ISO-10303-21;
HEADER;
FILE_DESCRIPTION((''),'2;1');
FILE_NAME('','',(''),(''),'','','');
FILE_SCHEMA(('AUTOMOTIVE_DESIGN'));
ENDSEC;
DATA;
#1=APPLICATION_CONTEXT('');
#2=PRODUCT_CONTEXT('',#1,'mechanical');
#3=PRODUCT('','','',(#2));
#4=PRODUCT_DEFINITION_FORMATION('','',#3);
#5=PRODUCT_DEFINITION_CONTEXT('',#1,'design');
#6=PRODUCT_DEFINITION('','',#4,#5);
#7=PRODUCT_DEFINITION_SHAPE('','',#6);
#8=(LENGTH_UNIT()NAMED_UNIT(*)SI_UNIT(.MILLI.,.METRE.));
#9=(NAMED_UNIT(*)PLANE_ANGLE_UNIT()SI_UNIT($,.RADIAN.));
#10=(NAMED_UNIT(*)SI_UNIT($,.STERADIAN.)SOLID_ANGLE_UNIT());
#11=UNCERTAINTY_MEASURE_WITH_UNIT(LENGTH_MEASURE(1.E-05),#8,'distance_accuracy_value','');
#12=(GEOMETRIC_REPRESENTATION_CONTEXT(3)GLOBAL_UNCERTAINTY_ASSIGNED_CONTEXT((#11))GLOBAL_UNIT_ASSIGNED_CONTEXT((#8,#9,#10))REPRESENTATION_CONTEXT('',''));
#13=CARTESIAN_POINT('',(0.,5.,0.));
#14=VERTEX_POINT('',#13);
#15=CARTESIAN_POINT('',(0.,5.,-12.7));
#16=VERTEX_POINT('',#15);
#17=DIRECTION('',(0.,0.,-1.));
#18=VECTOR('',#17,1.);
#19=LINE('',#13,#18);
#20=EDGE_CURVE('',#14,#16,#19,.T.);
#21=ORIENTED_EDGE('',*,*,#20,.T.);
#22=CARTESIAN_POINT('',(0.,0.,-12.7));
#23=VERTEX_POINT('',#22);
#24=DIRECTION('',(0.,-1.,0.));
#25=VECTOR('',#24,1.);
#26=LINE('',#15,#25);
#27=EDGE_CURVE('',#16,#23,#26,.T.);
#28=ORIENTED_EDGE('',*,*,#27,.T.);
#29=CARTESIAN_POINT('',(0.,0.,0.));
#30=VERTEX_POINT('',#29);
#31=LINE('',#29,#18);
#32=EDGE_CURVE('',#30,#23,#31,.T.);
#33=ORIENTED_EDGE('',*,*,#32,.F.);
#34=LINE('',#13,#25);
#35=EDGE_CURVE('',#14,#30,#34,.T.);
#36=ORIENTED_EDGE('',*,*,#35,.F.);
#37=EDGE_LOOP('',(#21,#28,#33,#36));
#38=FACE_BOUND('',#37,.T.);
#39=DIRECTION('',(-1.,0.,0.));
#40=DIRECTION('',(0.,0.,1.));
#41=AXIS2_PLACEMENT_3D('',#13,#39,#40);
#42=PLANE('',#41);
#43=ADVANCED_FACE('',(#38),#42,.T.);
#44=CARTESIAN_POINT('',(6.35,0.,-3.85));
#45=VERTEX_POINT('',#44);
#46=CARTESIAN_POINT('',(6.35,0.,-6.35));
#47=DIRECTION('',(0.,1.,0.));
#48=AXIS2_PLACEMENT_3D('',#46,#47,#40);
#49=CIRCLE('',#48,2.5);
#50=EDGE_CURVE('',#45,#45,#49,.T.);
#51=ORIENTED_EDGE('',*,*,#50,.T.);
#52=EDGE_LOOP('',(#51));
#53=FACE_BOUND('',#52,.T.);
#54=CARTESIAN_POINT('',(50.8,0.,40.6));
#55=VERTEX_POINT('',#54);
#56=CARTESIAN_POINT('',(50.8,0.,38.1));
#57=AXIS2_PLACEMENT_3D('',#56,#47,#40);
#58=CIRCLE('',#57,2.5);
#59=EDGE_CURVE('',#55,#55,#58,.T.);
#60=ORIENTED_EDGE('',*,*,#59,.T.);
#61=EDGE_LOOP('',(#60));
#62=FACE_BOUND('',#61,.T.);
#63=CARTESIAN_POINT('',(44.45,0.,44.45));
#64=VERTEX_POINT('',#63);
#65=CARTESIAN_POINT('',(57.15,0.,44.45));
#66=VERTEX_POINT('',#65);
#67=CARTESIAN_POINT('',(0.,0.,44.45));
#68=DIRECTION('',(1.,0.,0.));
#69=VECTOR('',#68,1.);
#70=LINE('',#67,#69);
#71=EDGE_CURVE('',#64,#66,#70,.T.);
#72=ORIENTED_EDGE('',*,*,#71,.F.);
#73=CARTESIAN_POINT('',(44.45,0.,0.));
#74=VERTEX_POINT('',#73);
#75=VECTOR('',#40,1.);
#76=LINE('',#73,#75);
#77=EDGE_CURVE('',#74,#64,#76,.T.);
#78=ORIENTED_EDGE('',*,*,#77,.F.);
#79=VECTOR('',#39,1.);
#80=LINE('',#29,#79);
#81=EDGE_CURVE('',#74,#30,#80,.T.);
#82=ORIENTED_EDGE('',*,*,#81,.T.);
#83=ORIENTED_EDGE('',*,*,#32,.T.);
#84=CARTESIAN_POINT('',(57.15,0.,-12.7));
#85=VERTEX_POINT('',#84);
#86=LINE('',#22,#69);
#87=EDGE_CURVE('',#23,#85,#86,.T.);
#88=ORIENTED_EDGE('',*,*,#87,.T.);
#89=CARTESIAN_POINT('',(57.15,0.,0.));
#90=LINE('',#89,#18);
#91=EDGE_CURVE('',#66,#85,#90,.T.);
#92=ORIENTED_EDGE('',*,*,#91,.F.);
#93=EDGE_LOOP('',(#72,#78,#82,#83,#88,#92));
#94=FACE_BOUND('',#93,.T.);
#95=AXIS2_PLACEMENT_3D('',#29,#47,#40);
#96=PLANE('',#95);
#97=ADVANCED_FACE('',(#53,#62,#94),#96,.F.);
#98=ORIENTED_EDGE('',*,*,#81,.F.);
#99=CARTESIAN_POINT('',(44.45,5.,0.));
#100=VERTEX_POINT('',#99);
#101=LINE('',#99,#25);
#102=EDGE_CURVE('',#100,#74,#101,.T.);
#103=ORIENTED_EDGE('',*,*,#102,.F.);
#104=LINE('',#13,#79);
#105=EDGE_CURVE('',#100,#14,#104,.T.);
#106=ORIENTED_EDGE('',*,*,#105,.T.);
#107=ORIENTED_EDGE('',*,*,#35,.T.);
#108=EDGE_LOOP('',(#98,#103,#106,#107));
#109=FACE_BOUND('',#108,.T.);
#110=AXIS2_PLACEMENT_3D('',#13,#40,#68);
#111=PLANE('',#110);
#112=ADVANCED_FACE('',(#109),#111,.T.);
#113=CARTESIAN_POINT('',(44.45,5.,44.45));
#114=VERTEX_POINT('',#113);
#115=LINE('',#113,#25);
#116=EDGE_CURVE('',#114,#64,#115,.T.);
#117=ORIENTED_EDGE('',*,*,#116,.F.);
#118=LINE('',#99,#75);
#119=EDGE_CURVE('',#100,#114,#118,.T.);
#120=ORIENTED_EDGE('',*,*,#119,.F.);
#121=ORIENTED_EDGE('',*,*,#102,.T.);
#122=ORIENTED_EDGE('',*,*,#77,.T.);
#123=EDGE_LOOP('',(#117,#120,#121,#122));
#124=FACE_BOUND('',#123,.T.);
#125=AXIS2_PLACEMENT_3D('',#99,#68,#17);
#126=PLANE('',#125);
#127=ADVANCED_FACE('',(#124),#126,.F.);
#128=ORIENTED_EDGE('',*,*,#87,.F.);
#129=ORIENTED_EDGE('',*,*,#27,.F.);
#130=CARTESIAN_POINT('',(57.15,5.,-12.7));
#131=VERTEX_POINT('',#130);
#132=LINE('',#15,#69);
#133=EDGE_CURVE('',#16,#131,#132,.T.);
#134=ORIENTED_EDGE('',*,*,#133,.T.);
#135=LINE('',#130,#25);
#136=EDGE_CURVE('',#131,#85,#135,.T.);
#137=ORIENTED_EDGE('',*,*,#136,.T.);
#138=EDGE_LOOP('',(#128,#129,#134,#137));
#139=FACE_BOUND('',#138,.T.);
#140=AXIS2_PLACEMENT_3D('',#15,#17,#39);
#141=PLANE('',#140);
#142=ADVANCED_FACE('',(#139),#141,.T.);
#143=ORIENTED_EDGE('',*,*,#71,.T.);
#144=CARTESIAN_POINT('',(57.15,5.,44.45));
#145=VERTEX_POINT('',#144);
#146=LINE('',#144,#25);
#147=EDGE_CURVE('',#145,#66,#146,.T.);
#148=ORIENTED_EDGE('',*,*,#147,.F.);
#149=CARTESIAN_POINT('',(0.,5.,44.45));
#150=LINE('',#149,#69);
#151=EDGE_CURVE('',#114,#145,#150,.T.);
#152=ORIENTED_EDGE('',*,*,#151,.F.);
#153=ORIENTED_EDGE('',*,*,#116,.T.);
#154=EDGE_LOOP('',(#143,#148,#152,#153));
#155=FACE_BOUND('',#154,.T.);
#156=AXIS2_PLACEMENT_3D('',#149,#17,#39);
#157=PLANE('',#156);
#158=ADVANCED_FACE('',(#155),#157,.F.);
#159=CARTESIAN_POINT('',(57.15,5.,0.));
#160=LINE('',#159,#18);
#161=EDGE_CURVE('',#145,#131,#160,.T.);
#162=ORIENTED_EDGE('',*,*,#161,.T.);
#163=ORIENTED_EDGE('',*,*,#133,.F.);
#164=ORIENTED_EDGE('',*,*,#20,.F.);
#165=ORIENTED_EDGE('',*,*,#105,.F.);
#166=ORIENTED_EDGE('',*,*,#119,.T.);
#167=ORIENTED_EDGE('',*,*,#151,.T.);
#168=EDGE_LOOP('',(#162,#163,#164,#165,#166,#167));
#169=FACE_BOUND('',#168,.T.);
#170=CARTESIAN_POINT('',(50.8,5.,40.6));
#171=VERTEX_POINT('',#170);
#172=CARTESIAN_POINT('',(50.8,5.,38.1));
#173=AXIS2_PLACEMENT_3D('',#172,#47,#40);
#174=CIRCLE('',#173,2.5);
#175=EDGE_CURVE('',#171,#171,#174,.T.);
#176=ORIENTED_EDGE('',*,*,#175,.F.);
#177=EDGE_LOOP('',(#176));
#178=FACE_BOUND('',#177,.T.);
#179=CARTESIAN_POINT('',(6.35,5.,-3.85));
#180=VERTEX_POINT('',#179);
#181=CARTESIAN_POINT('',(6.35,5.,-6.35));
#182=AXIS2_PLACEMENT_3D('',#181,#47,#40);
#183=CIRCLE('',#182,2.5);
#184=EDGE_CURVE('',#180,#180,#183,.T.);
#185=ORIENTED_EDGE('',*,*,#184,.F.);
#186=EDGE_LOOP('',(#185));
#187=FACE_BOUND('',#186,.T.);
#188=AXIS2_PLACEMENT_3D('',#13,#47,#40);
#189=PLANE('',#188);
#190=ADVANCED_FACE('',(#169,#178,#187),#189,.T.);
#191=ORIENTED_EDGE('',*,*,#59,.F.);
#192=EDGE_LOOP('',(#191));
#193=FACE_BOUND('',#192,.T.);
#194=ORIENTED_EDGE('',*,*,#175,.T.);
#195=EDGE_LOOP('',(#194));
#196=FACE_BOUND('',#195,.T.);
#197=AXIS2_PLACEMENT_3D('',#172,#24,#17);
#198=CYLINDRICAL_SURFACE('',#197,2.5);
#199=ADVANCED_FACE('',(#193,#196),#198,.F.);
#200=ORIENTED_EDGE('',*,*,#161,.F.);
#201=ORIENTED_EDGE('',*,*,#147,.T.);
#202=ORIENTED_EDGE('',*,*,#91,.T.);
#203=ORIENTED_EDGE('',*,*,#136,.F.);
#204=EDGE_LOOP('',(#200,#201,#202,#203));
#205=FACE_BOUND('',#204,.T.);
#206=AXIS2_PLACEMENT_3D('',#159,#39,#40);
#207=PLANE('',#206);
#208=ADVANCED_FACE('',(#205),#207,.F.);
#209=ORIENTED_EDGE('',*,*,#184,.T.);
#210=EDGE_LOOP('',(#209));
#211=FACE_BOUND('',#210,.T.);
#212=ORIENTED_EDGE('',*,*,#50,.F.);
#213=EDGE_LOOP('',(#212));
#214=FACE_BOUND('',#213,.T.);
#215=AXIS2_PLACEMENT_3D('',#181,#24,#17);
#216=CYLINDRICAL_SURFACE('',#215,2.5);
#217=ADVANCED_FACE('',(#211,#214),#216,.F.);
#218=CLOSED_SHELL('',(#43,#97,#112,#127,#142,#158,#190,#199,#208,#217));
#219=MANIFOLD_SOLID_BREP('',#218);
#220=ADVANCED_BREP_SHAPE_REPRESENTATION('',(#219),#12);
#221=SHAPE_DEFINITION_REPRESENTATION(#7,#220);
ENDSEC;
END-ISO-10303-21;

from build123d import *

# Parameters (mm, degrees)
SKETCH1_R           = 2.5
BOSS_EXTRUDE1_DEPTH = 5


with BuildPart() as part:
    # Sketch1 → Boss-Extrude1 (new body)
    with BuildSketch(Plane(origin=(0, 0, 0), x_dir=(1, 0, 0), z_dir=(0, 1, 0))):
        Polygon((0, 0), (0, 12.7), (57.15, 12.7), (57.15, 0), (57.15, -44.45), (44.45, -44.45), (44.45, 0), align=None)
        with Locations(Location((6.35, 6.35, 0), (0, 0, 270))):
            Circle(SKETCH1_R, mode=Mode.SUBTRACT)
        with Locations(Location((50.8, -38.1, 0), (0, 0, 270))):
            Circle(SKETCH1_R, mode=Mode.SUBTRACT)
    extrude(amount=BOSS_EXTRUDE1_DEPTH)


solid = part.part
